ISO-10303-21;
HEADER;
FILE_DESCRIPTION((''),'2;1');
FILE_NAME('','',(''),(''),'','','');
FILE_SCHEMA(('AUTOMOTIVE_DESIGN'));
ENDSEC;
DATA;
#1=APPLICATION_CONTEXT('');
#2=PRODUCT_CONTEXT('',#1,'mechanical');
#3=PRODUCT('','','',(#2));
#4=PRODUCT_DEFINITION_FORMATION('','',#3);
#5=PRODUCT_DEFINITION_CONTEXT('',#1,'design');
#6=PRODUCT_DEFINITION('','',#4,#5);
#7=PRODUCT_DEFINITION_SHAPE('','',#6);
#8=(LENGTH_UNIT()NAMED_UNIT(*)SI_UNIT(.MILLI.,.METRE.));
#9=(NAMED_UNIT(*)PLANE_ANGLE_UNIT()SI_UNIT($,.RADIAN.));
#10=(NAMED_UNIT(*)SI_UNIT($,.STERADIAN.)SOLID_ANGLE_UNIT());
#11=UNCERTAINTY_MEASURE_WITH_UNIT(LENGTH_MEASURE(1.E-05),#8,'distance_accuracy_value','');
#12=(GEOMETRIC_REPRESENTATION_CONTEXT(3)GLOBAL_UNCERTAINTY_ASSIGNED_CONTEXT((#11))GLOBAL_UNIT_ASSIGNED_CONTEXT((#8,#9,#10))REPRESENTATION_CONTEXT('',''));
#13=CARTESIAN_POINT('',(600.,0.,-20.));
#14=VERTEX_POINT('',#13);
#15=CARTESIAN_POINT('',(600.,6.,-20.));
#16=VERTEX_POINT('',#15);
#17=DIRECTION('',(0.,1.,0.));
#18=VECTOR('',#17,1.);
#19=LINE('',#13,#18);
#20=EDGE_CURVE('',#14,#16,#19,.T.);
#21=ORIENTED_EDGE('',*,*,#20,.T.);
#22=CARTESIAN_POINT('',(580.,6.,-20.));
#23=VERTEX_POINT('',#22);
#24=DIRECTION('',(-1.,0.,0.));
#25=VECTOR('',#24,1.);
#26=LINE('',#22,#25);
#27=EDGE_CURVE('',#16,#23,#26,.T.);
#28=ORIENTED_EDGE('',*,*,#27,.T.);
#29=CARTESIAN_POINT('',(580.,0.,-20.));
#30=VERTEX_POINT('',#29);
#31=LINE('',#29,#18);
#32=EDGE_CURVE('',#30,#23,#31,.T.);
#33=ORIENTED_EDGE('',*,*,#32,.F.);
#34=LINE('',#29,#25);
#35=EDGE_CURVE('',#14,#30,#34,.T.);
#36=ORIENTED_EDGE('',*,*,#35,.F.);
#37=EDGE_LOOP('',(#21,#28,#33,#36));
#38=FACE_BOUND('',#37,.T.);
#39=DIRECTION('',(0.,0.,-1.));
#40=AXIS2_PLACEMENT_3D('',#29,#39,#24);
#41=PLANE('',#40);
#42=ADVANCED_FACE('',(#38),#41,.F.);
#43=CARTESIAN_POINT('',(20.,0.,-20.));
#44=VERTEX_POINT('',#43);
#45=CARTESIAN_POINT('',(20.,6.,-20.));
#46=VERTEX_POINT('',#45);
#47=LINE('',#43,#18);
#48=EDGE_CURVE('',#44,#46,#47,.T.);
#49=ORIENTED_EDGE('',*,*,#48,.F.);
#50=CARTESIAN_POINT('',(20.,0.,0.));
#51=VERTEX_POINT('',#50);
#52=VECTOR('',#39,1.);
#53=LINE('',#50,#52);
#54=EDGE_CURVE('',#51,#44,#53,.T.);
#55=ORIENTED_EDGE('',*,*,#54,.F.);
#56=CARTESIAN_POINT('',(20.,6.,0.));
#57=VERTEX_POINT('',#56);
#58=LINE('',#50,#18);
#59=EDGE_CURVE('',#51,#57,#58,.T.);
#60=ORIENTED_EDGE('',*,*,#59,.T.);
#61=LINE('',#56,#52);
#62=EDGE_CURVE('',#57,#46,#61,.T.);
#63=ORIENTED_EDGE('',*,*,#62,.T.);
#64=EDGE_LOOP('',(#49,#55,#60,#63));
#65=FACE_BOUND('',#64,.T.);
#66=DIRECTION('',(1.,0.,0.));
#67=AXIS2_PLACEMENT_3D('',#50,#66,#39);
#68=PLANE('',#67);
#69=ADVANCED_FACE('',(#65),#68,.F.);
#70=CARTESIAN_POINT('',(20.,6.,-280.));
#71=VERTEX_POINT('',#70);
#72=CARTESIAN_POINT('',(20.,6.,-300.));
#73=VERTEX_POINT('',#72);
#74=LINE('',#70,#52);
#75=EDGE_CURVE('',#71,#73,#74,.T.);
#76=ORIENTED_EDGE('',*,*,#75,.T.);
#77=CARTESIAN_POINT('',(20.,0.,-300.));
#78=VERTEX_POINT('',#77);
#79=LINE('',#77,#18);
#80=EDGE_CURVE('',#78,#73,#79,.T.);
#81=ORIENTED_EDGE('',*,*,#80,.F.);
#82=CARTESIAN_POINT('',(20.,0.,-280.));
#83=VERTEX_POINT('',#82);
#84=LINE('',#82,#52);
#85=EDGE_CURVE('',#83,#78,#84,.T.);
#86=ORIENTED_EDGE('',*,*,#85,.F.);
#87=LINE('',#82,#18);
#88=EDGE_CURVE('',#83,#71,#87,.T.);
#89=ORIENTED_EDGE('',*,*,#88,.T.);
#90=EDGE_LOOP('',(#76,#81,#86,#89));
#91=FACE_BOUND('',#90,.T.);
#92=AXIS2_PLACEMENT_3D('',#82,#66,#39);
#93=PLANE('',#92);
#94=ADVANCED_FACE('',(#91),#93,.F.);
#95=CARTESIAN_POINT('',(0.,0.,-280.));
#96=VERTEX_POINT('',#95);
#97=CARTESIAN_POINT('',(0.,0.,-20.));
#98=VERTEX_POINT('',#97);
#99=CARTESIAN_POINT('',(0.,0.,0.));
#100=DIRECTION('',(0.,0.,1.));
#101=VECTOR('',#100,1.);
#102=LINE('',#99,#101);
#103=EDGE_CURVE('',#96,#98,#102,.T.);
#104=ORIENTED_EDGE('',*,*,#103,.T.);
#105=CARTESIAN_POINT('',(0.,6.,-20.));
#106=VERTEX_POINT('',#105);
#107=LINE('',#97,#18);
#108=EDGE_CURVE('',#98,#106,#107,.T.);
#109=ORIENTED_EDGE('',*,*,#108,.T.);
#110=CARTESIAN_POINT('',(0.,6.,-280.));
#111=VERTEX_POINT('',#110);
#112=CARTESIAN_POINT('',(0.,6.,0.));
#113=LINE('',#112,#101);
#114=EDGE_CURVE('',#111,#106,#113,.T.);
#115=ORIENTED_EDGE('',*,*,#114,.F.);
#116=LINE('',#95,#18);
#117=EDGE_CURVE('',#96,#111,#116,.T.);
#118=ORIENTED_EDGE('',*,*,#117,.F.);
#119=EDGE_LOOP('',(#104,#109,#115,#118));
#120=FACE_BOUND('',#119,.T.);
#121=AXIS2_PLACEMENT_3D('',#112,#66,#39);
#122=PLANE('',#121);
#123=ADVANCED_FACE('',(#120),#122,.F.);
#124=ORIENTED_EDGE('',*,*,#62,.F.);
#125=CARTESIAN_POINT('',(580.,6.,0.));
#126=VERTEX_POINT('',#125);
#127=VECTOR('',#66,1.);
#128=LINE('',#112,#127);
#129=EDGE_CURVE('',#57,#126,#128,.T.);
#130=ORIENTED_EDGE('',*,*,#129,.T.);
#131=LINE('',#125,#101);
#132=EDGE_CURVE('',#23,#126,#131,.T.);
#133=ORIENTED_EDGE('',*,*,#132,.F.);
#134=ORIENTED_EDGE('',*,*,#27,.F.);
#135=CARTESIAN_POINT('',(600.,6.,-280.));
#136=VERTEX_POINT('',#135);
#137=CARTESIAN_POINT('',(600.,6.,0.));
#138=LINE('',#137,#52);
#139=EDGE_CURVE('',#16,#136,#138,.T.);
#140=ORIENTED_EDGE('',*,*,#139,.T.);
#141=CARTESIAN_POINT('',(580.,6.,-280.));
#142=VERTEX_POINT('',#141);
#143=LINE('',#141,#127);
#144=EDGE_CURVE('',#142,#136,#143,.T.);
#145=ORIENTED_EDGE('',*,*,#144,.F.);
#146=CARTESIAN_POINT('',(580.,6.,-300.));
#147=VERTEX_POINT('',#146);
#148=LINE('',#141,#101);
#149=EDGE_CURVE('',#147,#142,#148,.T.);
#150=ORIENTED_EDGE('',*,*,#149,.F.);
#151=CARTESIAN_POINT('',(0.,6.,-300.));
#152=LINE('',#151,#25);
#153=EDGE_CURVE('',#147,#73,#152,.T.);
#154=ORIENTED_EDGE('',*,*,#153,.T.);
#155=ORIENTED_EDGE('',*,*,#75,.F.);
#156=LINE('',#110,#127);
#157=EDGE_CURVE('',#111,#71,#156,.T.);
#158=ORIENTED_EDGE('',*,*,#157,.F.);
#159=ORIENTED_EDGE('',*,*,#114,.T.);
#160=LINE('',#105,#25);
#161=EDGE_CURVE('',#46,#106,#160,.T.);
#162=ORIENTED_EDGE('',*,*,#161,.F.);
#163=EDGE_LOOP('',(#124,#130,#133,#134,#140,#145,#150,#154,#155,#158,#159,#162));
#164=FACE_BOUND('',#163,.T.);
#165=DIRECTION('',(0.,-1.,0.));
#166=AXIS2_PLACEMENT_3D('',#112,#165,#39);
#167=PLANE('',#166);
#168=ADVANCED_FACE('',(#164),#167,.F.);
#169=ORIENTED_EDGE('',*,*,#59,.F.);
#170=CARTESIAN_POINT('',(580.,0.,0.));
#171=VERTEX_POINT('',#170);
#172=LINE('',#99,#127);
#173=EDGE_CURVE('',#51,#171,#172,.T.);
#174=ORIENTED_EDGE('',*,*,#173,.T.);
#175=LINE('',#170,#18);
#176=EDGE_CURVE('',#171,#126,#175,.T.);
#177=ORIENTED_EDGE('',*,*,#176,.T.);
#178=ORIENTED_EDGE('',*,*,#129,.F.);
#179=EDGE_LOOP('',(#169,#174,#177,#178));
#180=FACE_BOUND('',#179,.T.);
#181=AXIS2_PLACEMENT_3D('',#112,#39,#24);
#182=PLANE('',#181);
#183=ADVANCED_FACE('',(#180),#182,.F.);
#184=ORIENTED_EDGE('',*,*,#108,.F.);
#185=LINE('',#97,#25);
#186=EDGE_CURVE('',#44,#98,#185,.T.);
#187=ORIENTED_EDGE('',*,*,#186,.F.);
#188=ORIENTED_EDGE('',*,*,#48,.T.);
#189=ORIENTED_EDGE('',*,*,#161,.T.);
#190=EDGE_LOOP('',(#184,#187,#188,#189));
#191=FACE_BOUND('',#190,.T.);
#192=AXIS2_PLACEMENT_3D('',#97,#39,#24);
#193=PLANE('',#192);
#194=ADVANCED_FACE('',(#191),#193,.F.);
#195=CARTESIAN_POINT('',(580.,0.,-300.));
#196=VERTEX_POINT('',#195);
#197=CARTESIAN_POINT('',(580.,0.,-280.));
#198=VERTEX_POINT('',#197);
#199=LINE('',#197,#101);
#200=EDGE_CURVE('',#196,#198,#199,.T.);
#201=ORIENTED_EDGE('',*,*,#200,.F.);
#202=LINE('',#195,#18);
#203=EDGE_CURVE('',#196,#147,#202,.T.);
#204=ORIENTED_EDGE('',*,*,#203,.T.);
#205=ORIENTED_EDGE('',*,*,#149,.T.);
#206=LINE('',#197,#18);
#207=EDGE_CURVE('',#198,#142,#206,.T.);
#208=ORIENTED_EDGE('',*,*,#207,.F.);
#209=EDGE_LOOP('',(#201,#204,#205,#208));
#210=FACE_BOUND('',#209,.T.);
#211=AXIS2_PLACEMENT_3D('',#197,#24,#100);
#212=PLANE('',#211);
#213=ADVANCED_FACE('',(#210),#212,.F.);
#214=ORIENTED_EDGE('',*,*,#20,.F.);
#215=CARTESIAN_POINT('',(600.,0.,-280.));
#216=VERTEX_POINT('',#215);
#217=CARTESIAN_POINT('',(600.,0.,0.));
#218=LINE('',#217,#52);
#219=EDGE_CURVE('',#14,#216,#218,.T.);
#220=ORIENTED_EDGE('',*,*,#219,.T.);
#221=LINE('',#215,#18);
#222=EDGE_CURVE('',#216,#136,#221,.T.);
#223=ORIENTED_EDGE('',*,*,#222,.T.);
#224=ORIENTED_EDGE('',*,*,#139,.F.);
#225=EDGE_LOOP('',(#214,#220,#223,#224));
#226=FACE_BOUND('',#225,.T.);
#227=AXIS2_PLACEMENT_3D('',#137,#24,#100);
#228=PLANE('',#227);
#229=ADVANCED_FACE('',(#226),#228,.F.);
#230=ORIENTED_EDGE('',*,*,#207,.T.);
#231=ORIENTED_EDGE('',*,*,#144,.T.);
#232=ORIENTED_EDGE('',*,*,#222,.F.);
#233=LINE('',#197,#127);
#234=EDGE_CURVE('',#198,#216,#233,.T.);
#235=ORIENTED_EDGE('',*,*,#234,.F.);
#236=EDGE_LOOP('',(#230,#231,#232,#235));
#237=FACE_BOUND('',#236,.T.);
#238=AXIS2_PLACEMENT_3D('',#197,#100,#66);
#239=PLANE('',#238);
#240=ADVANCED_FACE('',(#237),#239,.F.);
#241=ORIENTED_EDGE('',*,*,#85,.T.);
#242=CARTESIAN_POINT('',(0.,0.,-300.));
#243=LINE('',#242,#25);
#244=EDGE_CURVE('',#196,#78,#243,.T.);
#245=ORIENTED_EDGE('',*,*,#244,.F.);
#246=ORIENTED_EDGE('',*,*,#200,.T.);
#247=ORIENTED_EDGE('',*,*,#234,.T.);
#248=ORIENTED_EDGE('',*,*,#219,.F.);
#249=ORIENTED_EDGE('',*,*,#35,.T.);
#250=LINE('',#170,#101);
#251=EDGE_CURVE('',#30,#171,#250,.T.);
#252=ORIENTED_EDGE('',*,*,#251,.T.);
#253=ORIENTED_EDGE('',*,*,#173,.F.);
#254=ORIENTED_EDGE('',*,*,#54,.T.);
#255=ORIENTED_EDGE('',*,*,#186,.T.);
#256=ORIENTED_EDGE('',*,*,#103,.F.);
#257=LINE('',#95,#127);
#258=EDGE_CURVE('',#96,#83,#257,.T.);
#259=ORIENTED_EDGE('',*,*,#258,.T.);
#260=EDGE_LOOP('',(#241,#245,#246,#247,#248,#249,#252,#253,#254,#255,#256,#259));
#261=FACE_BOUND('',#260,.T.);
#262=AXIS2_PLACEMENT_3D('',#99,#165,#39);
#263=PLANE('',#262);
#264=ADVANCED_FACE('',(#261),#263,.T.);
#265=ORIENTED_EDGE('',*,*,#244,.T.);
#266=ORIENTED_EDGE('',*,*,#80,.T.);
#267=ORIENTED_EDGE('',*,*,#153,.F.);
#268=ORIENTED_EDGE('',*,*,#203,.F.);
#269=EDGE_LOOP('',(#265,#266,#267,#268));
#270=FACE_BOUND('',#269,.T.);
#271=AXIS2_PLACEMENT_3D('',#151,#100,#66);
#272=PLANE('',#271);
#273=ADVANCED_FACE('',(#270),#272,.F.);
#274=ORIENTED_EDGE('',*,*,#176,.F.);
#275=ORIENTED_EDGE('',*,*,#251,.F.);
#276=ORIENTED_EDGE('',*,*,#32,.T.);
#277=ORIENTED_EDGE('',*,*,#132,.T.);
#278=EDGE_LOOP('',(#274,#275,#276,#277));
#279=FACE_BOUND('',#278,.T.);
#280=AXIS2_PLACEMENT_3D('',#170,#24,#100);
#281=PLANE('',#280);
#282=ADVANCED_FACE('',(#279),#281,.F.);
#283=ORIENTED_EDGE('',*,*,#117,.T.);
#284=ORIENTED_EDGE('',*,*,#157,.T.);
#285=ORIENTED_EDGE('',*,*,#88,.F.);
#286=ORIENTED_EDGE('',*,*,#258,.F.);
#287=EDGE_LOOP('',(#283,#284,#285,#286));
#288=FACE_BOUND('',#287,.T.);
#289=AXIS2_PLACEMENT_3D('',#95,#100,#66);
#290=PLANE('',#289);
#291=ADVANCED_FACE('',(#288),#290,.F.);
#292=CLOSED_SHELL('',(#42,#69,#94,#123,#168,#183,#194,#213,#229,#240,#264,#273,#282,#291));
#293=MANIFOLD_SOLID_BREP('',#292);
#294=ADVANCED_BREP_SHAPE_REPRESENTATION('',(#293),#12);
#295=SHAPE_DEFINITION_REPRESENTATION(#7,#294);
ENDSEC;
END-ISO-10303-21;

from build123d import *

# Parameters (mm, degrees)
SZKIC1_W                    = 600
SZKIC1_H                    = 300
DODANIE_WYCI_GNI_CIE1_DEPTH = 6
SZKIC2_W                    = 20
SZKIC2_H                    = 20
WYTNIJ_WYCI_GNI_CIE1_DEPTH  = 671.847225529


with BuildPart() as part:
    # Szkic1 → Dodanie-wyciągnięcie1 (new body)
    with BuildSketch(Plane(origin=(0, 0, 0), x_dir=(1, 0, 0), z_dir=(0, 1, 0))):
        with Locations((300, 150)):
            Rectangle(SZKIC1_W, SZKIC1_H)
    extrude(amount=DODANIE_WYCI_GNI_CIE1_DEPTH)

    # Szkic2 → Wytnij-wyciągnięcie1 (cut, through all)
    with BuildSketch(Plane(origin=(0, 6, 0), x_dir=(1, 0, 0), z_dir=(0, 1, 0))):
        with Locations((590, 10)):
            Rectangle(SZKIC2_W, SZKIC2_H)
        with Locations((10, 10)):
            Rectangle(SZKIC2_W, SZKIC2_H)
        with Locations((590, 290)):
            Rectangle(SZKIC2_W, SZKIC2_H)
        with Locations((10, 290)):
            Rectangle(SZKIC2_W, SZKIC2_H)
    extrude(amount=-WYTNIJ_WYCI_GNI_CIE1_DEPTH, mode=Mode.SUBTRACT)


solid = part.part
